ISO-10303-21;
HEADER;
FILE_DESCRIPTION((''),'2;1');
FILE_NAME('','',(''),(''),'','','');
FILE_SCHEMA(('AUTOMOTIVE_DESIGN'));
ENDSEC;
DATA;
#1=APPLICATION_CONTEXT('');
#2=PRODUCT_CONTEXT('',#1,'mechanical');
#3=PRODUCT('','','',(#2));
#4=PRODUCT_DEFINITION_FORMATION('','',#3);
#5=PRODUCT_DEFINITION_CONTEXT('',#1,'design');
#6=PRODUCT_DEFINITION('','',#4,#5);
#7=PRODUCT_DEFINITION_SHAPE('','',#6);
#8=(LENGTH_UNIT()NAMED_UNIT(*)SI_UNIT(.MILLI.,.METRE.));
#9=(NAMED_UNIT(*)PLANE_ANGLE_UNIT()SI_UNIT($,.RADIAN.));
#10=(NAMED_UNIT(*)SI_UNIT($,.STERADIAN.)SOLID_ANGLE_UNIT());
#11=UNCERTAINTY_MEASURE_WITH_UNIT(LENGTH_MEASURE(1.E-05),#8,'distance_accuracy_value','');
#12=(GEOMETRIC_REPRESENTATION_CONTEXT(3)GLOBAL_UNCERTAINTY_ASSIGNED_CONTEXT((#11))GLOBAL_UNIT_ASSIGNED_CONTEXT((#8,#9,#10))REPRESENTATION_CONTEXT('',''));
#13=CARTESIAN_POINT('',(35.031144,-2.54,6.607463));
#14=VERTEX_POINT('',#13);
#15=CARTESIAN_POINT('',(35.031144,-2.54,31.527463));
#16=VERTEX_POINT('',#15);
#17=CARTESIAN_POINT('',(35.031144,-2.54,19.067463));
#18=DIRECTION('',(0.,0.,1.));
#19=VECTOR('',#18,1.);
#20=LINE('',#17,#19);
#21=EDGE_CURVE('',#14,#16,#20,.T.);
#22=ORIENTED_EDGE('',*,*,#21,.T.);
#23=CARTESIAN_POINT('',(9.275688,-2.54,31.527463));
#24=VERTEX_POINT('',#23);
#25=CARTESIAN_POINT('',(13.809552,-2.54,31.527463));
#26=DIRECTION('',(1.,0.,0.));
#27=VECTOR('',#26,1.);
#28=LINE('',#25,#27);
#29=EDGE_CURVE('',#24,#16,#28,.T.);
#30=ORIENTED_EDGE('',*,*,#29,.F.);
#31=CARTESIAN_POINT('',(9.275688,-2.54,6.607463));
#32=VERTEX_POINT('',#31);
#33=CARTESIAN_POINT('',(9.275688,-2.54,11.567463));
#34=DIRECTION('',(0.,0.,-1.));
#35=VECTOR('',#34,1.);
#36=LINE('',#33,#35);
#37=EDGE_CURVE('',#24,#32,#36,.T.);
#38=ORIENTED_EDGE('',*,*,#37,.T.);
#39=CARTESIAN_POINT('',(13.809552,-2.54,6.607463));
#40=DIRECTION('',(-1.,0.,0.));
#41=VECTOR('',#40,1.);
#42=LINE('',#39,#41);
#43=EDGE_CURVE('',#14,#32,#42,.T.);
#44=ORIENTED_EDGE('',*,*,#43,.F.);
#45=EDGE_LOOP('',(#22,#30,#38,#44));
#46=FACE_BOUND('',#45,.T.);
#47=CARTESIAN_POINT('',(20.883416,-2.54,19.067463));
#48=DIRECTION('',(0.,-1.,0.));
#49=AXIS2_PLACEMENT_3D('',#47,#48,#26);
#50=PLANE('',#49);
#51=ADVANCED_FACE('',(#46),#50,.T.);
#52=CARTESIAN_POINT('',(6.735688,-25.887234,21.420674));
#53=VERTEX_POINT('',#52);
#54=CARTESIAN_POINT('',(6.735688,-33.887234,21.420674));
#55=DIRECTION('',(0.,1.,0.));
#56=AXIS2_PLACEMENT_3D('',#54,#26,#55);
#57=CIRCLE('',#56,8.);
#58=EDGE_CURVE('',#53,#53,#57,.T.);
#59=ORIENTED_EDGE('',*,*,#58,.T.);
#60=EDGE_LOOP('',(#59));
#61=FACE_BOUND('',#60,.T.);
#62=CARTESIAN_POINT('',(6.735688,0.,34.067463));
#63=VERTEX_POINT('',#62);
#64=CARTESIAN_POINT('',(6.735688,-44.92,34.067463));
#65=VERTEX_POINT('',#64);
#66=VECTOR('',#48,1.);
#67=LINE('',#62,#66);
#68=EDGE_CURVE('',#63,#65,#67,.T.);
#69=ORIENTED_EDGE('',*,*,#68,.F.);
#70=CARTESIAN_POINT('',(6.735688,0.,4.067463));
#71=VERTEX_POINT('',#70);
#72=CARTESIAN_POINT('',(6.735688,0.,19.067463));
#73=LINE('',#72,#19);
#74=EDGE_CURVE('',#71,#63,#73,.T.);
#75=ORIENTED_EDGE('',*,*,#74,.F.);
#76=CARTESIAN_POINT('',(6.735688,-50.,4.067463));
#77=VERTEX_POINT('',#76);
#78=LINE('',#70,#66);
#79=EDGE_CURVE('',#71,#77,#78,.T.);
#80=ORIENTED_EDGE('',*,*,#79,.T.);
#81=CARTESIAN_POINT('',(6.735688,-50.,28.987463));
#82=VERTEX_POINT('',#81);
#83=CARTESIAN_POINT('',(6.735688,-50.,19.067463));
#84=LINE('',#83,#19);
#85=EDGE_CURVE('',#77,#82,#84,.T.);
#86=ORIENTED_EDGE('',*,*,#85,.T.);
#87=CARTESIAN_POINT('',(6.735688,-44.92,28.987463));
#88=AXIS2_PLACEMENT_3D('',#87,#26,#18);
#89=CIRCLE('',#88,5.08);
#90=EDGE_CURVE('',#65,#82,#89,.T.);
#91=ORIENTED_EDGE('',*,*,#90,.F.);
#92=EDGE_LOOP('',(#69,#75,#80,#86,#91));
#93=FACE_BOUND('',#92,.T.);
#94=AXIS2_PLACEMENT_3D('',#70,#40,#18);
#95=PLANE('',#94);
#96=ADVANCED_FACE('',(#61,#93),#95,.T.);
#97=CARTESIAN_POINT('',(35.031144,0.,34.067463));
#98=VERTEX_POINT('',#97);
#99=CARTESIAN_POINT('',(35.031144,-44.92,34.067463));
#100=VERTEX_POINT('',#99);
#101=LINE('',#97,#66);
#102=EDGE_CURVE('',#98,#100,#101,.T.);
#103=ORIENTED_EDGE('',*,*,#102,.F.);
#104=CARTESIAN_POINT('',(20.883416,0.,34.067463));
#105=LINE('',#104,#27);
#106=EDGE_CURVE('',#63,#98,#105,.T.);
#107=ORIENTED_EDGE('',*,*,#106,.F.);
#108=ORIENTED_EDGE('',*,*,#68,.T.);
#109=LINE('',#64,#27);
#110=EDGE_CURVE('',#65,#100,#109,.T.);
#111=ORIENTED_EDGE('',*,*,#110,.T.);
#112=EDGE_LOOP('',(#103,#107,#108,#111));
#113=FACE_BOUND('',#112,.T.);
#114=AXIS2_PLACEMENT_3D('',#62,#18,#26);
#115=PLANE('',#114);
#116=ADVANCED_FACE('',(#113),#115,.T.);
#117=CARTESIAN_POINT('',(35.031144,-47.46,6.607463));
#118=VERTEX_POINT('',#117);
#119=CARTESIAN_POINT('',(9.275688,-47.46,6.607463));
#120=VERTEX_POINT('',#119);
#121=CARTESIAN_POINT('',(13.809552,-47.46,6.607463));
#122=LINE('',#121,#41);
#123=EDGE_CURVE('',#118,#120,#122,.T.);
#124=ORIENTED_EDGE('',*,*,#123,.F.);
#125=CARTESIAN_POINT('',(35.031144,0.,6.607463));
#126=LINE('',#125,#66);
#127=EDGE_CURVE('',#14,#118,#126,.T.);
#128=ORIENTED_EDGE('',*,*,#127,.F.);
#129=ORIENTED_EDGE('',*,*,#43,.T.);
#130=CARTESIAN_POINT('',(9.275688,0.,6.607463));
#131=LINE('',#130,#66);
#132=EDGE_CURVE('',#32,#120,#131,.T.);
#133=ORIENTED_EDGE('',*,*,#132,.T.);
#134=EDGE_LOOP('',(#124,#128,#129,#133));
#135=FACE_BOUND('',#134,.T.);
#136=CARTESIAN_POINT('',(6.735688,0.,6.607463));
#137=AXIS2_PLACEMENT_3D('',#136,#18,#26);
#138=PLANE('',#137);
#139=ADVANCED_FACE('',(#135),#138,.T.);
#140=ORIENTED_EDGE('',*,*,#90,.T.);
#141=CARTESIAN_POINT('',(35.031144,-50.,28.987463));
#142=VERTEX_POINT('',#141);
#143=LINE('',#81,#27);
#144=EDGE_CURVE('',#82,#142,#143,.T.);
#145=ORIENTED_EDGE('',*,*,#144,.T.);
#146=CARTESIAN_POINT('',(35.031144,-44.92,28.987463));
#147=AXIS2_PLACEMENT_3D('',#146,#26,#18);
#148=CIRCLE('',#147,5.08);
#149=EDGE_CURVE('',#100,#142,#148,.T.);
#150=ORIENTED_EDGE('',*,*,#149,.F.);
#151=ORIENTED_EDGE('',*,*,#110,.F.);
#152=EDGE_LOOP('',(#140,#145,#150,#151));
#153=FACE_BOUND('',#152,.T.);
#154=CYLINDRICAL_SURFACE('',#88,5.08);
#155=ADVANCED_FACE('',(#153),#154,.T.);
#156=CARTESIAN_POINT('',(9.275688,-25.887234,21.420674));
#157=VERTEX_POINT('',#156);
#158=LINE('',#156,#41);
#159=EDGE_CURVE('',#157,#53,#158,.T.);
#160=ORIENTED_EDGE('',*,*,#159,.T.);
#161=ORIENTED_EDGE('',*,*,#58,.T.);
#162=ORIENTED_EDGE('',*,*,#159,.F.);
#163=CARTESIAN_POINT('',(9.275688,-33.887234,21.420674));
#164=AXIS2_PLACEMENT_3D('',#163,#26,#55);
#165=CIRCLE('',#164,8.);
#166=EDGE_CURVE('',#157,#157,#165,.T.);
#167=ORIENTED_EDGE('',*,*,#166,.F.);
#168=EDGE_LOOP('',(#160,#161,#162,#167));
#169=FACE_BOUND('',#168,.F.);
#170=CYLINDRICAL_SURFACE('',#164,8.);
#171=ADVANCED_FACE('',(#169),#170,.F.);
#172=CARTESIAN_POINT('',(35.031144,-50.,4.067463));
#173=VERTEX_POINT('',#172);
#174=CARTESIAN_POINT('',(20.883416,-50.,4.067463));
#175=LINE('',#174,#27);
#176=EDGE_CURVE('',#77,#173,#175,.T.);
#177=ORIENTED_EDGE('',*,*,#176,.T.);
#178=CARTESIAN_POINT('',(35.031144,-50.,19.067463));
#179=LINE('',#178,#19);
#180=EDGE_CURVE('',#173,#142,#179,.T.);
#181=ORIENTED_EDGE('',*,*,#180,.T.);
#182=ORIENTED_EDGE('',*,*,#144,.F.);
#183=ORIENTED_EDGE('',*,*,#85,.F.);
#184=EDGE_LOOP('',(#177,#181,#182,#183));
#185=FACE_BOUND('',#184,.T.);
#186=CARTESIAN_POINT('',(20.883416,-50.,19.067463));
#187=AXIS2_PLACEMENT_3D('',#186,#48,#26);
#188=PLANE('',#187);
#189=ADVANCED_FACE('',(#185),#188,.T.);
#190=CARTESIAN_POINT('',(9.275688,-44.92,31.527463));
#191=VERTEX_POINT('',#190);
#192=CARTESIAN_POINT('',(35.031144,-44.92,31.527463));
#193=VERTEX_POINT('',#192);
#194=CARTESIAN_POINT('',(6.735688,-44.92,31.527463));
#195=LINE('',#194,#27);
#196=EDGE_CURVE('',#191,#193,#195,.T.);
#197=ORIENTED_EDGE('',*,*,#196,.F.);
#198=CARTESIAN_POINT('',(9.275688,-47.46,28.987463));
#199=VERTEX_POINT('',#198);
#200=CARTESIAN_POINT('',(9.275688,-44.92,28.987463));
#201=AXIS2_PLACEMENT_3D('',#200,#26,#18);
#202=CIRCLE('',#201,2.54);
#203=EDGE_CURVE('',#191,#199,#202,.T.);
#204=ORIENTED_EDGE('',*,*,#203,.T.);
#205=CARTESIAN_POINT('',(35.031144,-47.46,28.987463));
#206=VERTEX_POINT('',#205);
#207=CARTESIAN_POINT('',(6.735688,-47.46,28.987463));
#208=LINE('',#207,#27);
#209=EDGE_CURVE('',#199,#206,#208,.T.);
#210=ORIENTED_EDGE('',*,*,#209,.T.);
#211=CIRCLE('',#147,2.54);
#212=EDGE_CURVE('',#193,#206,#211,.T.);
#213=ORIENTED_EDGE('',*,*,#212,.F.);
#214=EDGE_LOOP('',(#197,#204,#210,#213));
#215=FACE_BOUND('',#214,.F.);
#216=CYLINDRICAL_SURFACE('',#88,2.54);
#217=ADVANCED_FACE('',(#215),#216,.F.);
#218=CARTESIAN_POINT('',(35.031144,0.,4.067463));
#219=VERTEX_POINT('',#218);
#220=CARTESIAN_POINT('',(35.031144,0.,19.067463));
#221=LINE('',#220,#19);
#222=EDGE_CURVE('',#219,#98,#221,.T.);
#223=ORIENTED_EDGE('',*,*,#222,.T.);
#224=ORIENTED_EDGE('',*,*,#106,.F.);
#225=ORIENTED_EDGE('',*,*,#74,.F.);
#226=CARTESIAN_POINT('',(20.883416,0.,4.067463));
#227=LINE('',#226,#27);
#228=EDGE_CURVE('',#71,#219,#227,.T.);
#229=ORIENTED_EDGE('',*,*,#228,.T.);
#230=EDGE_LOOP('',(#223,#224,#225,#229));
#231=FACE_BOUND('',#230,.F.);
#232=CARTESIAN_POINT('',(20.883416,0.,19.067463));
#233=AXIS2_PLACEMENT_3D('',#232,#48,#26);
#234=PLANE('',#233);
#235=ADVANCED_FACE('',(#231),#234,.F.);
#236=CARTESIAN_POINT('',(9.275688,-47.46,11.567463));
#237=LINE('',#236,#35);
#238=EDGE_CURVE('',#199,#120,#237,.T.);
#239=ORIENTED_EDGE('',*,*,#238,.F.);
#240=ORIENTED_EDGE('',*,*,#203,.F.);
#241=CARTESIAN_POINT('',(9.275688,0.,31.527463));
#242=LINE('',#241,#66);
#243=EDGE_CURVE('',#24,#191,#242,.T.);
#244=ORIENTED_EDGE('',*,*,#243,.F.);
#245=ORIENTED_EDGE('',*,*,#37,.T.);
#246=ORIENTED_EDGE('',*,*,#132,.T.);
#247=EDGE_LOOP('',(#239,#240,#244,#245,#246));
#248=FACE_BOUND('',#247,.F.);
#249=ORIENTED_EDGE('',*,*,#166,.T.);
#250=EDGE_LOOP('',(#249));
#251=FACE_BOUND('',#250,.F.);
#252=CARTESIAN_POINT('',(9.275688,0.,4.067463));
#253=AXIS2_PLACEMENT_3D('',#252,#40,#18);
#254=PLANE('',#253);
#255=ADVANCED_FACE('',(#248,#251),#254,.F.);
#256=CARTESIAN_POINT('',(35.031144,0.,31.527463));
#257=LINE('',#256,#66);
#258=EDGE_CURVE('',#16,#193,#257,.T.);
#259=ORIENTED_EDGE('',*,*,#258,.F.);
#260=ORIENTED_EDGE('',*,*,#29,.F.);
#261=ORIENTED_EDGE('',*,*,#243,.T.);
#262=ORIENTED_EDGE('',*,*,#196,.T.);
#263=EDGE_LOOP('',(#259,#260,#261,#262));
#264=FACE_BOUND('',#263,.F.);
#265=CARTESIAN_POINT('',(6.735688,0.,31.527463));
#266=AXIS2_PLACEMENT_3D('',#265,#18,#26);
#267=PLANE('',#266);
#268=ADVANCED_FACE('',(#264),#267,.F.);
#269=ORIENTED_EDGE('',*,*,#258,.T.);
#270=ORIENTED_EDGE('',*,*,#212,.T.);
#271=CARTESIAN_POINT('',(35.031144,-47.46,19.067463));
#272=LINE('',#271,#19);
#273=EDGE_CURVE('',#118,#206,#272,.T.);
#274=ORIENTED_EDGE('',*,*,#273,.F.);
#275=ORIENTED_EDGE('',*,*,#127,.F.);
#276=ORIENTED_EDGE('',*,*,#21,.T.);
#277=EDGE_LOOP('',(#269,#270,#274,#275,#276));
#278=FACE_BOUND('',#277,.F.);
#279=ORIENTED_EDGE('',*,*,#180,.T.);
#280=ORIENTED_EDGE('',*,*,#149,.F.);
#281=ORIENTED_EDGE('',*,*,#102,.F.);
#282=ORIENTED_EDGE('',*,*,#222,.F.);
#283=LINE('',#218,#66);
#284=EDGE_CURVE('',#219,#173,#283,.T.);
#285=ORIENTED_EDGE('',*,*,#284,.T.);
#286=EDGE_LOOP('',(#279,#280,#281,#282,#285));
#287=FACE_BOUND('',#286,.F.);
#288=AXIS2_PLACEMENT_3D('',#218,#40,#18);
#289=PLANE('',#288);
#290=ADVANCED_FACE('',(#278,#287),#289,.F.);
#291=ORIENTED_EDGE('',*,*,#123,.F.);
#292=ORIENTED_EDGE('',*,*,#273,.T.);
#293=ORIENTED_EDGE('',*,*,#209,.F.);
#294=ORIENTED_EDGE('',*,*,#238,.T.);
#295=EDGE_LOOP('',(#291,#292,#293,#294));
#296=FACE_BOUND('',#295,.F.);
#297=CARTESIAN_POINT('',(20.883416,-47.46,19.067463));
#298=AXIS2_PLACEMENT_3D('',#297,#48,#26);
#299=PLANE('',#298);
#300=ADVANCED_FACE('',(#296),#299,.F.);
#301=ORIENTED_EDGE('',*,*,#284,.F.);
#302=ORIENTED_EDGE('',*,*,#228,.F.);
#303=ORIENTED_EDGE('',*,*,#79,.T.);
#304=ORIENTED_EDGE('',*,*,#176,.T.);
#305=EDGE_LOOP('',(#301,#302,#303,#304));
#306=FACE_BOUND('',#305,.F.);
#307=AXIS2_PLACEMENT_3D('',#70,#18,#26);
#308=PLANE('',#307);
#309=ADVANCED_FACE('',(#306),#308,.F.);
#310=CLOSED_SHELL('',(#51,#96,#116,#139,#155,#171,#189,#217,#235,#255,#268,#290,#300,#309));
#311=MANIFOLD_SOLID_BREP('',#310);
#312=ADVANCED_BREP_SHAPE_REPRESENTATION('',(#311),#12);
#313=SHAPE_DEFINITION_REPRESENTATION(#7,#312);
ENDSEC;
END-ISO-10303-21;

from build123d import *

# Parameters (mm, degrees)
F0_W     = 28.295456
F0_H     = 30
F1_DEPTH = 50
F2_R     = 5.08
F3_T     = -2.54
F4_R     = 8
F5_DEPTH = 9.1


with BuildPart() as f1:
    # F0 (on Front) → F1 (new body)
    with BuildSketch(Plane.XZ):
        with Locations((20.883416, 19.067463)):
            Rectangle(F0_W, F0_H)
    extrude(amount=F1_DEPTH)

    # F2
    f2_edges = [f1.edges().sort_by_distance(p)[0] for p in [
        (20.883416, -50, 34.067463),
    ]]
    fillet(f2_edges, radius=F2_R)

    # F3
    f3_openings = [f1.faces().sort_by_distance(p)[0] for p in [
        (35.031144, -24.911561, 19.016082),
    ]]
    offset(amount=F3_T, openings=f3_openings)

    # F4 (on face) → F5 (cut)
    with BuildSketch(Plane.YZ.offset(9.275688)):
        with Locations((-33.887234, 21.420674)):
            Circle(F4_R)
    extrude(amount=-F5_DEPTH, mode=Mode.SUBTRACT)


solid = f1.part
